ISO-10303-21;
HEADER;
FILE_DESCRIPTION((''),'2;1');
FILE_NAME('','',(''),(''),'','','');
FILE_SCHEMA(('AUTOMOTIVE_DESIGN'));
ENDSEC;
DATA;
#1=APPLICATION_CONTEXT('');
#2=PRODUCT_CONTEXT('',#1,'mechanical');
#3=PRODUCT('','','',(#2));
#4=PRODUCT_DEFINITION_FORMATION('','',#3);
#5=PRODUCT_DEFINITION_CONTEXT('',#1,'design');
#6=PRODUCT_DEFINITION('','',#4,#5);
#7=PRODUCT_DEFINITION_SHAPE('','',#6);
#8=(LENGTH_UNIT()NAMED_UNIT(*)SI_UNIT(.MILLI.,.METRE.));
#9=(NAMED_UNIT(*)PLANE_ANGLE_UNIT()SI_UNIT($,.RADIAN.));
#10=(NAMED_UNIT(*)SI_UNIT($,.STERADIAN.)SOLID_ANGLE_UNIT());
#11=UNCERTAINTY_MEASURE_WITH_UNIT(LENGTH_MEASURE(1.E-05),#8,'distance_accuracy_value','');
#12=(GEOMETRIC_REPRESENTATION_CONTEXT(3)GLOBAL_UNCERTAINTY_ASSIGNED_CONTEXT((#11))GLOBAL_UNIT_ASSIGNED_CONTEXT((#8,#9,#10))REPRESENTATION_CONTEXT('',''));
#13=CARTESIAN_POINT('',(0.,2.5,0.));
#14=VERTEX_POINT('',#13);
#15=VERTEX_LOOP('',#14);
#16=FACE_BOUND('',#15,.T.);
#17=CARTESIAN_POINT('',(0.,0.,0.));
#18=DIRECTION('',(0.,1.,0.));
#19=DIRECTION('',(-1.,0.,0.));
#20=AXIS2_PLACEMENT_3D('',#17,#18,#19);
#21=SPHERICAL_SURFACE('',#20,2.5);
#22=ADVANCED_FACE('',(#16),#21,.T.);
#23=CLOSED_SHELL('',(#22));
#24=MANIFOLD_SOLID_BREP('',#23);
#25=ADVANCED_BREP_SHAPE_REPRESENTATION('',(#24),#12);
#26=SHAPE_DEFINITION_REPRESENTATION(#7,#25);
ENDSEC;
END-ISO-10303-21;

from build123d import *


with BuildPart() as part:
    # Skizze1 → Shpere (revolve)
    with BuildSketch(Plane.XY):
        with BuildLine():
            Line((0, 2.5), (0, -2.5))
            ThreePointArc((0, -2.5), (-2.5, 0), (0, 2.5))
        make_face()
    revolve(axis=Axis((0, 0, 0), (0, 1, 0)))


solid = part.part
